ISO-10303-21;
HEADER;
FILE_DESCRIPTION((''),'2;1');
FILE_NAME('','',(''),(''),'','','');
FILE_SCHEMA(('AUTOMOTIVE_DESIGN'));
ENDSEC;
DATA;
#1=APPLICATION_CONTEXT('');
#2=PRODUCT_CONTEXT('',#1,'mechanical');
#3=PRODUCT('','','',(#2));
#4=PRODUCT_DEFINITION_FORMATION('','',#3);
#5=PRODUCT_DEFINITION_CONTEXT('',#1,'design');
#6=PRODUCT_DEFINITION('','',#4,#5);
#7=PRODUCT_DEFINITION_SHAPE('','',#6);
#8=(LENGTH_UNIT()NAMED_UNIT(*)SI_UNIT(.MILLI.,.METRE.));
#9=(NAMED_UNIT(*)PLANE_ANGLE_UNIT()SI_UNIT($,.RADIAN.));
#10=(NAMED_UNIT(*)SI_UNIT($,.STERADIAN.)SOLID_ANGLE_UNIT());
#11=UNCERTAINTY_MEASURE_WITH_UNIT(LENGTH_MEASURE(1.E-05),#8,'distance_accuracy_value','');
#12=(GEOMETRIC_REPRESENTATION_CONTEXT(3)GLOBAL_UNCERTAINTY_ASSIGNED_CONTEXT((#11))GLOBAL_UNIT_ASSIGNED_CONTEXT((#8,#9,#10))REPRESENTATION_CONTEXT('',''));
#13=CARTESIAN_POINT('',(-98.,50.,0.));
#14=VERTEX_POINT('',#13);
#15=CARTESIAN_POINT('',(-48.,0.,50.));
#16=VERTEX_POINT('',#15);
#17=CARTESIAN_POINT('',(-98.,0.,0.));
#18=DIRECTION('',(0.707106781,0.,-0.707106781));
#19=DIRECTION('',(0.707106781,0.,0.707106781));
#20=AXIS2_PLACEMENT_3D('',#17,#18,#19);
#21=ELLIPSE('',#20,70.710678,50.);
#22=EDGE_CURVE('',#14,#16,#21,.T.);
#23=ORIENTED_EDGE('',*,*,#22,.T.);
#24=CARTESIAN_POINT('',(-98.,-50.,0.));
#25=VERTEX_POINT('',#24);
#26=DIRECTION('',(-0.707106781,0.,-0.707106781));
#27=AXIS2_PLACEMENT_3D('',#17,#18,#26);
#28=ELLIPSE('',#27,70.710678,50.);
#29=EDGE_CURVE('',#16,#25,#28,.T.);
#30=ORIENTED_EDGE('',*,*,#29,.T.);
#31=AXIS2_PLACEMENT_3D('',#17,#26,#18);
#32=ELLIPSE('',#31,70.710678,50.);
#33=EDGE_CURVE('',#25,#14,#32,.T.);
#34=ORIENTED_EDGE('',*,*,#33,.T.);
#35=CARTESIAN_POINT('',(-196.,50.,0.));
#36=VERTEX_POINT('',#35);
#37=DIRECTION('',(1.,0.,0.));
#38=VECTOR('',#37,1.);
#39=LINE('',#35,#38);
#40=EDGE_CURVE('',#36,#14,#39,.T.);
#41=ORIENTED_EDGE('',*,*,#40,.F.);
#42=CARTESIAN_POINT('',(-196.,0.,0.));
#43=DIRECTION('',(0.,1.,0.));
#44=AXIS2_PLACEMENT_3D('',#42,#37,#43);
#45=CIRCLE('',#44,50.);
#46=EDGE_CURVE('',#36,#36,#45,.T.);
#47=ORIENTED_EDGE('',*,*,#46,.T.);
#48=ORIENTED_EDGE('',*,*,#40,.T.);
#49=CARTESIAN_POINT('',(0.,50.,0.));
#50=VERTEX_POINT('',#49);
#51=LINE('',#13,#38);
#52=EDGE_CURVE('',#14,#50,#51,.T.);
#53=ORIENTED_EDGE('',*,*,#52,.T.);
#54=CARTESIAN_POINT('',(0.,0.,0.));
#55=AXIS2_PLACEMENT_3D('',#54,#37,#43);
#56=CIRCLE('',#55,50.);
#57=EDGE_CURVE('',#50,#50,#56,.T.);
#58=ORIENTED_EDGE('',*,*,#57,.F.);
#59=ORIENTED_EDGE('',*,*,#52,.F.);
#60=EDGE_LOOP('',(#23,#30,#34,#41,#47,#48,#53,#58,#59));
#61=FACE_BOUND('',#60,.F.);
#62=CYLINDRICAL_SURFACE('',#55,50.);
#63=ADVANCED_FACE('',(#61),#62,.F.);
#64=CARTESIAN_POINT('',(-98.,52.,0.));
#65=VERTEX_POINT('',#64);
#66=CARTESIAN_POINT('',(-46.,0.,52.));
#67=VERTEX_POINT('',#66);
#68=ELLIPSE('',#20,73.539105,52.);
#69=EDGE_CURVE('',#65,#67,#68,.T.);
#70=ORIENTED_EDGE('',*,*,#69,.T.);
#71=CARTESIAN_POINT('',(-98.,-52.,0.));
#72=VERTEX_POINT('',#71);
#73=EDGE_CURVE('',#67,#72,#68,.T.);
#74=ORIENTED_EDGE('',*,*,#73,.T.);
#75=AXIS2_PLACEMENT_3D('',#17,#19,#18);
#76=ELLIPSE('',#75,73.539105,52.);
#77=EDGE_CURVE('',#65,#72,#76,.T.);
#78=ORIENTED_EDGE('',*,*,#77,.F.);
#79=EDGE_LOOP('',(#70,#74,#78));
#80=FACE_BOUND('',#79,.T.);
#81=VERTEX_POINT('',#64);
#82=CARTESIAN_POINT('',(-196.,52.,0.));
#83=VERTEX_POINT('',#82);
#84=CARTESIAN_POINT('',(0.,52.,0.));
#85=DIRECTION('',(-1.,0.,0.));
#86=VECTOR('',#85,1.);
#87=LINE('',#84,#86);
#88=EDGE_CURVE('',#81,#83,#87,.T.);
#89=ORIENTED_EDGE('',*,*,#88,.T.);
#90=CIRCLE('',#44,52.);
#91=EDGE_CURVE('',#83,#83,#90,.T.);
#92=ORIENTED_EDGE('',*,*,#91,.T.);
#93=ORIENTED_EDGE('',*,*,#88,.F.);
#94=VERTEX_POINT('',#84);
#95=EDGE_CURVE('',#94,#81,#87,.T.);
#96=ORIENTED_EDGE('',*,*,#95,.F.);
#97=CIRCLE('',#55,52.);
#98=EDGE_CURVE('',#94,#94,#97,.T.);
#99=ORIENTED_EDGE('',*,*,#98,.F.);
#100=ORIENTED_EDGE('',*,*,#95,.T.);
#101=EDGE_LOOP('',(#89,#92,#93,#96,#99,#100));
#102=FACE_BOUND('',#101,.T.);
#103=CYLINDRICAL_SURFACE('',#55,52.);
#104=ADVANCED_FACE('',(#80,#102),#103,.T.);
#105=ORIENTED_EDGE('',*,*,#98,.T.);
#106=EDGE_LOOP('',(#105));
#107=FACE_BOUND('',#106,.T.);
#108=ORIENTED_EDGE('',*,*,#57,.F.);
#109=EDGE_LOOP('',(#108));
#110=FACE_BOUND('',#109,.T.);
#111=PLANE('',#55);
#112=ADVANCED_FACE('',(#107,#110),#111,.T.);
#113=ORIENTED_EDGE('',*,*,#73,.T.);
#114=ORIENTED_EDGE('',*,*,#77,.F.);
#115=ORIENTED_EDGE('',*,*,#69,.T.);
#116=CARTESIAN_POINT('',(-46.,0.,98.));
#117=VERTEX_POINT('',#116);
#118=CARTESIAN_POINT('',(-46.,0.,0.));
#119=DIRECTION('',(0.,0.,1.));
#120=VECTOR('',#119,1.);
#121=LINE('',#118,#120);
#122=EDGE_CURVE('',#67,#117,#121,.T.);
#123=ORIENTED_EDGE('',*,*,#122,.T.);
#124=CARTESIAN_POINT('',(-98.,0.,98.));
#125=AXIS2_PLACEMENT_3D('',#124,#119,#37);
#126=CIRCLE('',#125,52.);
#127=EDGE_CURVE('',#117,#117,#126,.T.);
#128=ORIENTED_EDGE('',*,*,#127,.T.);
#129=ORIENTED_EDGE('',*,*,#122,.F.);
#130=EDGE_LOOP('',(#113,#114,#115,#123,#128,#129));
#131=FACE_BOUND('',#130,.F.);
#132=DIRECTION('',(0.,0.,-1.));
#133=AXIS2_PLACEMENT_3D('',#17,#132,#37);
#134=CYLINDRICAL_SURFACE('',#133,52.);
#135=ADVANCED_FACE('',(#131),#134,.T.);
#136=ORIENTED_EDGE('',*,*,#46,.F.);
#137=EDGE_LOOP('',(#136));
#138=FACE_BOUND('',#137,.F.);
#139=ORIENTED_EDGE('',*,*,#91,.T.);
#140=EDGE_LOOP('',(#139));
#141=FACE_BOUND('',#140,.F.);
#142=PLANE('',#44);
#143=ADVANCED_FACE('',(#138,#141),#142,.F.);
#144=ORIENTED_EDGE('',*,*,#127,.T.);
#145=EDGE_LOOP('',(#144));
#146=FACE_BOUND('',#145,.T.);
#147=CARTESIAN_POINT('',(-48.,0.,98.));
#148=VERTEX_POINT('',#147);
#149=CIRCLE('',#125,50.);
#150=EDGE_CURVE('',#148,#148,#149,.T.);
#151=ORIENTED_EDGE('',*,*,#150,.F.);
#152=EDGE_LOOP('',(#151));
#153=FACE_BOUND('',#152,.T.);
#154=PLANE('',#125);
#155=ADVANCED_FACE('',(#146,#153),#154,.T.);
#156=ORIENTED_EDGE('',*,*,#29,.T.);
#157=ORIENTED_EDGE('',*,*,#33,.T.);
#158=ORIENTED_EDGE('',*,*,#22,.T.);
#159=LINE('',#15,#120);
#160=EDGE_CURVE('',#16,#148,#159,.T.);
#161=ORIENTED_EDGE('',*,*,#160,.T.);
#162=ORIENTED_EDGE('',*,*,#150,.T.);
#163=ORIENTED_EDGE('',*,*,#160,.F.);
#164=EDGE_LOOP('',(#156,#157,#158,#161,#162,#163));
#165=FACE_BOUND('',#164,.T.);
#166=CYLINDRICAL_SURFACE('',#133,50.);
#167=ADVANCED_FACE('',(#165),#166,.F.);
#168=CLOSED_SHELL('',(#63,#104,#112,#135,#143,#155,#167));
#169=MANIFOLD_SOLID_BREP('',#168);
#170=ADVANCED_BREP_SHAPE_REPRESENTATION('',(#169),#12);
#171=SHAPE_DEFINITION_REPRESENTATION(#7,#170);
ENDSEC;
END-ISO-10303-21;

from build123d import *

# Parameters (mm, degrees)
F0_R     = 52
F0_R_2   = 50
F2_DEPTH = 196
F1_R     = 52
F1_R_2   = 50
F3_DEPTH = 98
F4_DEPTH = 78
F5_DEPTH = 188


with BuildPart() as f2:
    # F0 (on Right) → F2 (new body)
    with BuildSketch(Plane.YZ):
        Circle(F0_R)
        Circle(F0_R_2, mode=Mode.SUBTRACT)
    extrude(amount=-F2_DEPTH)

    # F1 (on Top) → F3 (join)
    with BuildSketch(Plane.XY):
        with Locations((-98, 0)):
            Circle(F1_R)
        with Locations((-98, 0)):
            Circle(F1_R_2, mode=Mode.SUBTRACT)
    extrude(amount=F3_DEPTH)

    # F1 (on Top) → F4 (cut)
    with BuildSketch(Plane.XY):
        with Locations((-98, 0)):
            Circle(F1_R_2)
    extrude(amount=F4_DEPTH, mode=Mode.SUBTRACT)

    # F0 (on Right) → F5 (cut)
    with BuildSketch(Plane.YZ):
        Circle(F0_R_2)
    extrude(amount=-F5_DEPTH, mode=Mode.SUBTRACT)


solid = f2.part
